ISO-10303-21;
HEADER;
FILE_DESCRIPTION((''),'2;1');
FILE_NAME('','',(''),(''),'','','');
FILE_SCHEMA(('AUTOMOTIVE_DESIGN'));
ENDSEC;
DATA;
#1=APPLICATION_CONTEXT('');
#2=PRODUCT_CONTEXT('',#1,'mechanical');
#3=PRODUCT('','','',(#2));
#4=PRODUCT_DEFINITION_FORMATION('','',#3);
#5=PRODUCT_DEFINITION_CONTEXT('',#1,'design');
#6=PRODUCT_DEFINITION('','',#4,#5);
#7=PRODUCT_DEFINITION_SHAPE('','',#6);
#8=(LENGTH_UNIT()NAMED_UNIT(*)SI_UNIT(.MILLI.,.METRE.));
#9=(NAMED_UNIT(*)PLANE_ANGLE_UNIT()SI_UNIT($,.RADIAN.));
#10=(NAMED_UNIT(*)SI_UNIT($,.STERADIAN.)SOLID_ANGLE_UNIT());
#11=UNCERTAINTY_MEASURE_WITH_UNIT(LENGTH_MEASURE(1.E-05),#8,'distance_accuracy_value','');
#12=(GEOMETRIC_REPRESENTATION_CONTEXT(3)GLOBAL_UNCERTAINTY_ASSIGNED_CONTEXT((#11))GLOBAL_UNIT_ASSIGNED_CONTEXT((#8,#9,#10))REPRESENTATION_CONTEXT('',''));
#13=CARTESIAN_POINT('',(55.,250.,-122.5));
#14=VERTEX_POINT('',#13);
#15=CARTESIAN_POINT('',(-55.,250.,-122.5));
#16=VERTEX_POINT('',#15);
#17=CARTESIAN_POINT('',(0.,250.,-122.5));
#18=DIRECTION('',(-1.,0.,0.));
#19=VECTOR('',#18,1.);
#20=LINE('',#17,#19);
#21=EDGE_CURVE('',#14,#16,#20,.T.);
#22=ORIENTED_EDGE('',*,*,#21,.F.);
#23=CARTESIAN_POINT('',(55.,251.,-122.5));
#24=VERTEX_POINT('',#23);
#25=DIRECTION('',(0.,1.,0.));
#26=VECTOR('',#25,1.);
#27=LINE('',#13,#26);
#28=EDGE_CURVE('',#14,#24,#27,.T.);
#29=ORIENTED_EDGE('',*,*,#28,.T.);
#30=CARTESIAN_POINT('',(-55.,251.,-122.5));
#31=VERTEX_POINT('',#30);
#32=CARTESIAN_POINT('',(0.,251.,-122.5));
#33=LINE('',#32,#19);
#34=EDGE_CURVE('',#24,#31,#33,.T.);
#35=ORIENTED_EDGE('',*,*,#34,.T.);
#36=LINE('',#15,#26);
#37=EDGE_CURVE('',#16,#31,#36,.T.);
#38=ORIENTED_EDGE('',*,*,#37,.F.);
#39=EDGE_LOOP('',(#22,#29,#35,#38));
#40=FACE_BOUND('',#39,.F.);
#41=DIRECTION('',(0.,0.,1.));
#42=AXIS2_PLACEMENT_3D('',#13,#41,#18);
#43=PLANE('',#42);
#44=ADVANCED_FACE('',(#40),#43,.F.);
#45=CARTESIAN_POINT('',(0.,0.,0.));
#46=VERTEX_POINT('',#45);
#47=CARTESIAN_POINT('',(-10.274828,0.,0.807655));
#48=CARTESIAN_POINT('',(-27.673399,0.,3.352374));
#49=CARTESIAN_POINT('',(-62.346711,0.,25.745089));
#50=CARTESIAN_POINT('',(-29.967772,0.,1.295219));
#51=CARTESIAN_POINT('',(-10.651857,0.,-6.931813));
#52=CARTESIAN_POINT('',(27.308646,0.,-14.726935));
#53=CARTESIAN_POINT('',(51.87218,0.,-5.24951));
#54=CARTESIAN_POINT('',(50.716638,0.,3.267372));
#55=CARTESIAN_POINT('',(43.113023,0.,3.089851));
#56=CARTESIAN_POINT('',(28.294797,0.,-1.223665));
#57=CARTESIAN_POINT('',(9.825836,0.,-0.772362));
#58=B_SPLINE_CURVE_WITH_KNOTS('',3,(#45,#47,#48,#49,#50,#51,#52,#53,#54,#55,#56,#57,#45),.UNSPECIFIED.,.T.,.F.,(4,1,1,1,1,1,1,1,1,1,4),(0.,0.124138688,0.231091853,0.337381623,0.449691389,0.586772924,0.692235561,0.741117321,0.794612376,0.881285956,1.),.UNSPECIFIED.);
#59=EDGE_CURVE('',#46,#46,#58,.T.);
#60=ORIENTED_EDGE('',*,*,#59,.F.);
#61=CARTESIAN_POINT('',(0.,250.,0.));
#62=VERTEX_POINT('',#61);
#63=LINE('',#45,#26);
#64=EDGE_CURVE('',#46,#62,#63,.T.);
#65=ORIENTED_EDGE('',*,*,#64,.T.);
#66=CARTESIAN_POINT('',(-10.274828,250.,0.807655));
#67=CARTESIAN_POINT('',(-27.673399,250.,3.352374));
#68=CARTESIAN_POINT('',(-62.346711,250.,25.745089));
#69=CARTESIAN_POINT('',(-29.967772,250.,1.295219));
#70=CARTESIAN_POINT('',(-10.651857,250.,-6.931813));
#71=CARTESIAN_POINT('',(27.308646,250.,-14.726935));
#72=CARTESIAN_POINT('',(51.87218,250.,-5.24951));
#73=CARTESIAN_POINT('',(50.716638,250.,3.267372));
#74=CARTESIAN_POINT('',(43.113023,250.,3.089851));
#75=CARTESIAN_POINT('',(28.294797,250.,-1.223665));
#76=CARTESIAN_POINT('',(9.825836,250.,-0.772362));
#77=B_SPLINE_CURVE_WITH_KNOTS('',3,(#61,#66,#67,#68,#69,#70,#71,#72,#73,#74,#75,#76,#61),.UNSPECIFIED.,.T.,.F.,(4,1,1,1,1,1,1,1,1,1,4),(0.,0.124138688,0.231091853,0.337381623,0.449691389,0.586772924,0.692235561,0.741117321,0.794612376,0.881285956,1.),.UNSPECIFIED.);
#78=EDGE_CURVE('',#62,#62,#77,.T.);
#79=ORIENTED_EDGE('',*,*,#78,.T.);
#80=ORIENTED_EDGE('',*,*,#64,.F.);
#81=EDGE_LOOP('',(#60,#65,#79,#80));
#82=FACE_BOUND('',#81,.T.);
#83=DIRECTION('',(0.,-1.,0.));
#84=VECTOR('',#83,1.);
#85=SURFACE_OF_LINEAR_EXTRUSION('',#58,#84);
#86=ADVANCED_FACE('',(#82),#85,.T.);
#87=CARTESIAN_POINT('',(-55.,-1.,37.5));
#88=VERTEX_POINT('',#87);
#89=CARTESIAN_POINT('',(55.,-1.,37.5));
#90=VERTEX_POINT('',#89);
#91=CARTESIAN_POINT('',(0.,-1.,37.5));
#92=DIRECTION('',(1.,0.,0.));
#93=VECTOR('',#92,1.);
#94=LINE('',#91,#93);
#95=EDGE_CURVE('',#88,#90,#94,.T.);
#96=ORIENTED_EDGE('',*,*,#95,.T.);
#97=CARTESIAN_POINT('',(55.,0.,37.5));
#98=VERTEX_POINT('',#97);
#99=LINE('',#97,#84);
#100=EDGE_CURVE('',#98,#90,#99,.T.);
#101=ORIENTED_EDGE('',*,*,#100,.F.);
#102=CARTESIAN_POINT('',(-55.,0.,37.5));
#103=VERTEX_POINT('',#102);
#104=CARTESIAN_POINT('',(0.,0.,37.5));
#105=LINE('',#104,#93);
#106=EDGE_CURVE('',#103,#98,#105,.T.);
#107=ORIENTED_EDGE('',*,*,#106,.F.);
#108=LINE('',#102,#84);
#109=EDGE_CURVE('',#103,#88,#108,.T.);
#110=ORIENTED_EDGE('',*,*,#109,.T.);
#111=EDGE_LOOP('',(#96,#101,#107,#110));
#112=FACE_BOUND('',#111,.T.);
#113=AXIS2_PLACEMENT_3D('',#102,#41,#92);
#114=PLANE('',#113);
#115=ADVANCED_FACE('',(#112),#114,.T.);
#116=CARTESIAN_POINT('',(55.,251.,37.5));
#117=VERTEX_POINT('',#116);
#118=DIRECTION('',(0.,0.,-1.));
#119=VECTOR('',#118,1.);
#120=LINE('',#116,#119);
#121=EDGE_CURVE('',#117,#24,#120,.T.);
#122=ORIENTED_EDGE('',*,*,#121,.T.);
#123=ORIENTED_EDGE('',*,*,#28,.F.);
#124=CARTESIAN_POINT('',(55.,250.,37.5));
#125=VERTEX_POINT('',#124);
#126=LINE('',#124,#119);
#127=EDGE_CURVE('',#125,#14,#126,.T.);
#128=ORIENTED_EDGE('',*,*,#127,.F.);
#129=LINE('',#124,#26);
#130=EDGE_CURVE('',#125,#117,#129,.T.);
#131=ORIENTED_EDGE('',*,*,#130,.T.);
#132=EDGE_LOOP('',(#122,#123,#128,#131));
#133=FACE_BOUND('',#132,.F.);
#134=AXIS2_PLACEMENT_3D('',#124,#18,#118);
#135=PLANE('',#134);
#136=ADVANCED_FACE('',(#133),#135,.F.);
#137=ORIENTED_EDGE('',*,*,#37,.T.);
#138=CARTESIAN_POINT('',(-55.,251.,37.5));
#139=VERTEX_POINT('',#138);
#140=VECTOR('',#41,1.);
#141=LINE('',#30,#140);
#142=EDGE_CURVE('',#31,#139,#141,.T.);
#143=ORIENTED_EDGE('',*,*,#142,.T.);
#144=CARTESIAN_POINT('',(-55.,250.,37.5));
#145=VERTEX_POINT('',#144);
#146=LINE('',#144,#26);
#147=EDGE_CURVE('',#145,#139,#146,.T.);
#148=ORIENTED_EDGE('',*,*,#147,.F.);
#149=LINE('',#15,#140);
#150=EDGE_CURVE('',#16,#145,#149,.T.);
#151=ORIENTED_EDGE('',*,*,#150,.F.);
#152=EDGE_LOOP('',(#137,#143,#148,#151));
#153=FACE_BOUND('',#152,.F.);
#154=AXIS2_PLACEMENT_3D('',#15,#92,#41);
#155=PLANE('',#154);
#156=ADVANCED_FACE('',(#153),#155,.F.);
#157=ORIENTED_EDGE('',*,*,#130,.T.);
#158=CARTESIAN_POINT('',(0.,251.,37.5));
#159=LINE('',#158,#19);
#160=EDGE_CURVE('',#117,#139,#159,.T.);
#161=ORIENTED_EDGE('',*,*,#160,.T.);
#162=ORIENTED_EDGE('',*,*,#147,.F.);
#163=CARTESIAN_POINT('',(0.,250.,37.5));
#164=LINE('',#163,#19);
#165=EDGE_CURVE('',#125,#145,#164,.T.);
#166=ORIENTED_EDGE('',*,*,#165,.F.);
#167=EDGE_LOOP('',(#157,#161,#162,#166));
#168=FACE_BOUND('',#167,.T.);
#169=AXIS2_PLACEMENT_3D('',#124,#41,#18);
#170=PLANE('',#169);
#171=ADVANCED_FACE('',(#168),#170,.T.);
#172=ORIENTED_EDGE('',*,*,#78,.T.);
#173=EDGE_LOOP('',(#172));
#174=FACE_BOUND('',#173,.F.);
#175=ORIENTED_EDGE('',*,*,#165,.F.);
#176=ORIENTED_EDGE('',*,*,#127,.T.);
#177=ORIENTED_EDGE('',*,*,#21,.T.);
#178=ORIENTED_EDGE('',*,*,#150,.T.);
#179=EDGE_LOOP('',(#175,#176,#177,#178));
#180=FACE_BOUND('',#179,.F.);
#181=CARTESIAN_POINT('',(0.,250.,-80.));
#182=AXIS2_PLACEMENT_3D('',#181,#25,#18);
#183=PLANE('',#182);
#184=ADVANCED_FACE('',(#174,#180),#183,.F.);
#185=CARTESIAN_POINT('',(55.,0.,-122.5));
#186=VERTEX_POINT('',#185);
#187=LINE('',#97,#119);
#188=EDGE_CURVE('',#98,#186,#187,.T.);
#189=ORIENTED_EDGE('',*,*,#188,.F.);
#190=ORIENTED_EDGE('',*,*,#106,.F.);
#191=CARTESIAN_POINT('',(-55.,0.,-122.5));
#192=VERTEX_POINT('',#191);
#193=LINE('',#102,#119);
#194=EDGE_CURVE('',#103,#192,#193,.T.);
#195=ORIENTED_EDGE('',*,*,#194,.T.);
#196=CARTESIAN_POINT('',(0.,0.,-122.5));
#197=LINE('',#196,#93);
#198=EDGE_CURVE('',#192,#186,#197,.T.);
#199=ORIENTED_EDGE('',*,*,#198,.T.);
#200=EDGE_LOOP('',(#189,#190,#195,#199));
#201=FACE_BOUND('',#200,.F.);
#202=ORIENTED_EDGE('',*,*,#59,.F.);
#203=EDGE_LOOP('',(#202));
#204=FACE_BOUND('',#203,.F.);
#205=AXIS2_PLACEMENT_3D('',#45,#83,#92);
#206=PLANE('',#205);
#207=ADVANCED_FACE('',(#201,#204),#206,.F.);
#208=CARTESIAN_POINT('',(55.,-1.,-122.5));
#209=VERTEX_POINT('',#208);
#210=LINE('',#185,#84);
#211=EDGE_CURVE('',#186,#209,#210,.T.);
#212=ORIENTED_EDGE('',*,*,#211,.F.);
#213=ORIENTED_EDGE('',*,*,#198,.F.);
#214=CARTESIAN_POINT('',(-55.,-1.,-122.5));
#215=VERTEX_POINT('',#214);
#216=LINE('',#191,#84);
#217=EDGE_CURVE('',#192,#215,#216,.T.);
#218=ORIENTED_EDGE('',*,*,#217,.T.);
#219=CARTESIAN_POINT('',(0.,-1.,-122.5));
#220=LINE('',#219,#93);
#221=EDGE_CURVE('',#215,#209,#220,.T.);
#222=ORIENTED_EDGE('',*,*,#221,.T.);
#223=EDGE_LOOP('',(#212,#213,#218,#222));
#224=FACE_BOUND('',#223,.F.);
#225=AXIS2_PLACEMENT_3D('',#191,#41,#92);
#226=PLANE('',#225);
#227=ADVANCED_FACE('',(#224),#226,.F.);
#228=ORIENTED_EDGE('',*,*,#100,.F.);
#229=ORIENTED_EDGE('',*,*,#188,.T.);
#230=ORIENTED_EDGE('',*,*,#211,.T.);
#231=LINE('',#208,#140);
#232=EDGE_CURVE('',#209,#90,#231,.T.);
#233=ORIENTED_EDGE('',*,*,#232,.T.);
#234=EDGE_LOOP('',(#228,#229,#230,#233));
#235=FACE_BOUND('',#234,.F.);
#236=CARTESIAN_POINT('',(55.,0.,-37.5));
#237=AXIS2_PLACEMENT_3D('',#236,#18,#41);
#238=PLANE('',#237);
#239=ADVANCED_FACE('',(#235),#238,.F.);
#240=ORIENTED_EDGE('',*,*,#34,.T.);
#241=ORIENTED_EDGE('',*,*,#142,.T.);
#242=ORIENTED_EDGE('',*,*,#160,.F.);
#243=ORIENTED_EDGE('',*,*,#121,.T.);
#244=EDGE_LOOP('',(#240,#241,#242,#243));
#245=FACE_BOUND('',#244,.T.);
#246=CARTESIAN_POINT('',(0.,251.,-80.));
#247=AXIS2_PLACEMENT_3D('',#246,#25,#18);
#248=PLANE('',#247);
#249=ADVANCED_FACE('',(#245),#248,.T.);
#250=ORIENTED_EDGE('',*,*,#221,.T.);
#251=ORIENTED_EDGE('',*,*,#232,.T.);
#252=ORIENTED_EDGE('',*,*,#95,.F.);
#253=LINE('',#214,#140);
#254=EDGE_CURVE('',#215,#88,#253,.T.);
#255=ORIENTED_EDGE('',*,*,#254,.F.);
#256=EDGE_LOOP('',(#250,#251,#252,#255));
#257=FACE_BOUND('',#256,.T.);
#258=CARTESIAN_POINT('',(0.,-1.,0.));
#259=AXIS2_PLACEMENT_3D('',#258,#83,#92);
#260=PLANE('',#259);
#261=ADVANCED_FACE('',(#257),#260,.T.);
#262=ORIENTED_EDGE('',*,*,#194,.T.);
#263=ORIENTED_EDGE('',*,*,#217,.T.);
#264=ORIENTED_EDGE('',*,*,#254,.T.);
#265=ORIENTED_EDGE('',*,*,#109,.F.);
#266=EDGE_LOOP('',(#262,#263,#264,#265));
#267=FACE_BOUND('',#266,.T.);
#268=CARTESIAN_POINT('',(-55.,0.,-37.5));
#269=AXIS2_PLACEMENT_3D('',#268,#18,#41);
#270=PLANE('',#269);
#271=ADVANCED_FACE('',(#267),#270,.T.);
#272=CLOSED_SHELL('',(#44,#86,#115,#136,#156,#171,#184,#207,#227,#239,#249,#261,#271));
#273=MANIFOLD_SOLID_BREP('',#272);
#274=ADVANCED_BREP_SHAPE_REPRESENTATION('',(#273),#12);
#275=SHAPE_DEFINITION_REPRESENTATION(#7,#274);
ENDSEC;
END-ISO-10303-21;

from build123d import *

# Parameters (mm, degrees)
F0_W     = 110
F0_H     = 75
F1_DEPTH = 1
F3_DEPTH = 250
F0_H_2   = 85
F4_DEPTH = 1
F5_W     = 110
F5_H     = 85
F5_H_2   = 75
F6_DEPTH = 1
F7_DEPTH = 1


with BuildPart() as f1:
    # F0 (on Front) → F1 (new body)
    with BuildSketch(Plane.XZ):
        Rectangle(F0_W, F0_H)
    extrude(amount=F1_DEPTH)

    # F2 (on face) → F3 (join)
    with BuildSketch(Plane(origin=(0, 0, 0), x_dir=(-1, 0, 0), z_dir=(0, 1, 0))):
        with BuildLine():
            add(Edge.make_bspline(
                [(0, 0), (10.274828396, 0.8076554873), (27.6733988694, 3.3523735173), (62.346710729, 25.7450885093), (29.9677721855, 1.2952187965), (10.6518566682, -6.9318127816), (-27.3086461257, -14.726935353), (-51.8721801408, -5.2495100826), (-50.7166381839, 3.2673718031), (-43.1130226627, 3.089850711), (-28.2947971804, -1.2236646657), (-9.8258362936, -0.7723623494), (0, 0)],
                knots=[0, 0, 0, 0, 0.124138688, 0.2310918526, 0.3373816232, 0.4496913893, 0.5867729237, 0.6922355614, 0.7411173205, 0.7946123759, 0.8812859564, 1, 1, 1, 1], degree=3))
        make_face()
    extrude(amount=F3_DEPTH)

    # F0 (on Front) → F4 (join)
    with BuildSketch(Plane.XZ):
        Rectangle(F0_W, F0_H)
        with Locations((0, -80)):
            Rectangle(F0_W, F0_H_2)
    extrude(amount=F4_DEPTH)

    # F5 (on face) → F6 (join)
    with BuildSketch(Plane(origin=(0, 250, 0), x_dir=(-1, 0, 0), z_dir=(0, 1, 0))):
        with Locations((0, -80)):
            Rectangle(F5_W, F5_H)
        Rectangle(F5_W, F5_H_2)
    extrude(amount=F6_DEPTH)

    # F5 (on face) → F7 (join)
    with BuildSketch(Plane(origin=(0, 250, 0), x_dir=(-1, 0, 0), z_dir=(0, 1, 0))):
        with Locations((0, -80)):
            Rectangle(F5_W, F5_H)
        Rectangle(F5_W, F5_H_2)
    extrude(amount=F7_DEPTH)


solid = f1.part
